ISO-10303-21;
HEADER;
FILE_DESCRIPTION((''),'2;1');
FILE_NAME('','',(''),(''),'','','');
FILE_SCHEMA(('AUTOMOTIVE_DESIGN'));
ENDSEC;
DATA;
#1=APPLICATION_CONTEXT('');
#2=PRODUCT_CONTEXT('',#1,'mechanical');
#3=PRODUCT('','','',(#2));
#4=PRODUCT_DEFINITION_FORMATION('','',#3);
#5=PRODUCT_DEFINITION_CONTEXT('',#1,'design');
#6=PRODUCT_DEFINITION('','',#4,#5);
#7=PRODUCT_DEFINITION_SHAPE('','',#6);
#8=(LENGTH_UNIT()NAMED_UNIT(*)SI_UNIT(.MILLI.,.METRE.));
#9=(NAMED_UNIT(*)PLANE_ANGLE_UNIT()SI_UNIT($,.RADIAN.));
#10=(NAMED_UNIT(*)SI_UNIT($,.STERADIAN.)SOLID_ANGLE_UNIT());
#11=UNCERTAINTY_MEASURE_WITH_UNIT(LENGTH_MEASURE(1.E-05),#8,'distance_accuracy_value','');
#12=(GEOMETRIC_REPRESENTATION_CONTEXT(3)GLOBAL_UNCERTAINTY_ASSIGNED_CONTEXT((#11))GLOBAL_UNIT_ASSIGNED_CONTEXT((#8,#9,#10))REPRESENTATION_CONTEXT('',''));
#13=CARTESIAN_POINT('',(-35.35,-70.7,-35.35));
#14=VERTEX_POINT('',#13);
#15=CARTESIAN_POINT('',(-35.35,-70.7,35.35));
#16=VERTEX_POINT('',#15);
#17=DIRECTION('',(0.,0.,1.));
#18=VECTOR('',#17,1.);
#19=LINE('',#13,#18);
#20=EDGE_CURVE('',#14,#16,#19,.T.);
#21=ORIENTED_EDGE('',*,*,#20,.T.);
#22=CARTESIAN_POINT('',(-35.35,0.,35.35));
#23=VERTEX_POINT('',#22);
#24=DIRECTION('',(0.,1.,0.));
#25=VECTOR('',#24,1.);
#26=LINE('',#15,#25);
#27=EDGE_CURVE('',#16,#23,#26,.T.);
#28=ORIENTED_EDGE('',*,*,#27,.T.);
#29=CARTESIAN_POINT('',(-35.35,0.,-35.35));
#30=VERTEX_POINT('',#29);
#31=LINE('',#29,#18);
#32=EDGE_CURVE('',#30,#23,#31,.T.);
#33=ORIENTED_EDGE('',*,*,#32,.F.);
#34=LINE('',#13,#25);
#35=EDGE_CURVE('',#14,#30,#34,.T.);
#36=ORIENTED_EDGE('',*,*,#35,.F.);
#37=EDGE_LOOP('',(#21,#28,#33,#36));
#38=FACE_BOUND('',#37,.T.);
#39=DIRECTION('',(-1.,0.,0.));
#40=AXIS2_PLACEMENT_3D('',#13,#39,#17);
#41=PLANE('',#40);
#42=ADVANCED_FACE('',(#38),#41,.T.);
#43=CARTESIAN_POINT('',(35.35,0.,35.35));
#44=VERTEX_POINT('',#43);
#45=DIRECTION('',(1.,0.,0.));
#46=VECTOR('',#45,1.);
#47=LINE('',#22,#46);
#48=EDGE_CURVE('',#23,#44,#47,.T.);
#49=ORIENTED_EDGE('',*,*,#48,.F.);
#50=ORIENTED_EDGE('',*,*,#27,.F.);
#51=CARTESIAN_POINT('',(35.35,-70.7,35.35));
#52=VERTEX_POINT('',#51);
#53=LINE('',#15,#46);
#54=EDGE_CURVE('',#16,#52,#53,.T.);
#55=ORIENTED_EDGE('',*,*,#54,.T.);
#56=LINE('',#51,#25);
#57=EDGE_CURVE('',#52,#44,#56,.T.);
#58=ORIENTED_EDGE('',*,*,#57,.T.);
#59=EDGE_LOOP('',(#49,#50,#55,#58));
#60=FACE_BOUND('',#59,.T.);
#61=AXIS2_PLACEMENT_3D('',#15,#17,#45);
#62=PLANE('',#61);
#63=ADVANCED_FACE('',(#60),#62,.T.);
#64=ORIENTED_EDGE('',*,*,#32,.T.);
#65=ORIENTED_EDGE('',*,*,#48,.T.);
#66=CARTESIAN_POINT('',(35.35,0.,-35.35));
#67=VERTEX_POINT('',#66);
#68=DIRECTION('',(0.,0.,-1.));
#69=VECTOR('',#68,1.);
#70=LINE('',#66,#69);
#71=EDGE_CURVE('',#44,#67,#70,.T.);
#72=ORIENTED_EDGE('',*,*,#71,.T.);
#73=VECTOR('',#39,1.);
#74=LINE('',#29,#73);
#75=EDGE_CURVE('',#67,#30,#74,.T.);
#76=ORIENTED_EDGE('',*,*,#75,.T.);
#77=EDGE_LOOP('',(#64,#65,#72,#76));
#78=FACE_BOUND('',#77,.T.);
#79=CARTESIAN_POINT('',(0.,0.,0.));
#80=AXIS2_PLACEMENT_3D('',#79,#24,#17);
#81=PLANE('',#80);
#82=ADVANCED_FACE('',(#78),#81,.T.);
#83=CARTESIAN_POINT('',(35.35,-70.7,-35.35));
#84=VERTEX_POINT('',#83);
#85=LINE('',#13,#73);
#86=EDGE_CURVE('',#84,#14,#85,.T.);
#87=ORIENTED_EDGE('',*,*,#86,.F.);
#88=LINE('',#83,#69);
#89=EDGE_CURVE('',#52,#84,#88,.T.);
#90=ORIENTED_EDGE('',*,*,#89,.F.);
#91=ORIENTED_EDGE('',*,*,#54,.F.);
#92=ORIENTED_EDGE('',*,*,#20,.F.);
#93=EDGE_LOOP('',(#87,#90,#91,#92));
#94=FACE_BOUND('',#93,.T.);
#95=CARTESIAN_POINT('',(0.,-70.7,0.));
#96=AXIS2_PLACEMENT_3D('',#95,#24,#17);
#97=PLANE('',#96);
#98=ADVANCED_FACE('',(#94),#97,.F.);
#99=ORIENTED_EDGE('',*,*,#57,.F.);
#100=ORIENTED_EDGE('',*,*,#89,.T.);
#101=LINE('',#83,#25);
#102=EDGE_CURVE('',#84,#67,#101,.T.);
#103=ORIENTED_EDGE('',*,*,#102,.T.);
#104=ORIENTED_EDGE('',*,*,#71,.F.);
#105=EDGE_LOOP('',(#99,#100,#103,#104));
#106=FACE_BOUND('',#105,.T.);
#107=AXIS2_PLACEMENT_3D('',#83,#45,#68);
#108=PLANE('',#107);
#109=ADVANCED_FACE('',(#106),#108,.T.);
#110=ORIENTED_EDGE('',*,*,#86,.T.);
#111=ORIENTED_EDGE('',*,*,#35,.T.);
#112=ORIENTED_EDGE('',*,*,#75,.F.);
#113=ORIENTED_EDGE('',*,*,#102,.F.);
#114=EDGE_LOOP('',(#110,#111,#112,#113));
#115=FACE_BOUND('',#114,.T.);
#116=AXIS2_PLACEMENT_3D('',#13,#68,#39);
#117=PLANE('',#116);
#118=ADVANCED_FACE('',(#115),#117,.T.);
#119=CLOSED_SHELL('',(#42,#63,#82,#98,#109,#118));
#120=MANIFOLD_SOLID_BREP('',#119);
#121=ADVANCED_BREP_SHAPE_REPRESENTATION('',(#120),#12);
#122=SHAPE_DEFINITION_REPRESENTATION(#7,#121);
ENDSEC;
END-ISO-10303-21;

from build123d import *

# Parameters (mm, degrees)
SKETCH1_W           = 70.7
SKETCH1_H           = 70.7
BOSS_EXTRUDE1_DEPTH = 70.7


with BuildPart() as part:
    # Sketch1 → Boss-Extrude1 (new body)
    with BuildSketch(Plane(origin=(0, 0, 0), x_dir=(1, 0, 0), z_dir=(0, 1, 0))):
        Rectangle(SKETCH1_W, SKETCH1_H)
    extrude(amount=-BOSS_EXTRUDE1_DEPTH)


solid = part.part
